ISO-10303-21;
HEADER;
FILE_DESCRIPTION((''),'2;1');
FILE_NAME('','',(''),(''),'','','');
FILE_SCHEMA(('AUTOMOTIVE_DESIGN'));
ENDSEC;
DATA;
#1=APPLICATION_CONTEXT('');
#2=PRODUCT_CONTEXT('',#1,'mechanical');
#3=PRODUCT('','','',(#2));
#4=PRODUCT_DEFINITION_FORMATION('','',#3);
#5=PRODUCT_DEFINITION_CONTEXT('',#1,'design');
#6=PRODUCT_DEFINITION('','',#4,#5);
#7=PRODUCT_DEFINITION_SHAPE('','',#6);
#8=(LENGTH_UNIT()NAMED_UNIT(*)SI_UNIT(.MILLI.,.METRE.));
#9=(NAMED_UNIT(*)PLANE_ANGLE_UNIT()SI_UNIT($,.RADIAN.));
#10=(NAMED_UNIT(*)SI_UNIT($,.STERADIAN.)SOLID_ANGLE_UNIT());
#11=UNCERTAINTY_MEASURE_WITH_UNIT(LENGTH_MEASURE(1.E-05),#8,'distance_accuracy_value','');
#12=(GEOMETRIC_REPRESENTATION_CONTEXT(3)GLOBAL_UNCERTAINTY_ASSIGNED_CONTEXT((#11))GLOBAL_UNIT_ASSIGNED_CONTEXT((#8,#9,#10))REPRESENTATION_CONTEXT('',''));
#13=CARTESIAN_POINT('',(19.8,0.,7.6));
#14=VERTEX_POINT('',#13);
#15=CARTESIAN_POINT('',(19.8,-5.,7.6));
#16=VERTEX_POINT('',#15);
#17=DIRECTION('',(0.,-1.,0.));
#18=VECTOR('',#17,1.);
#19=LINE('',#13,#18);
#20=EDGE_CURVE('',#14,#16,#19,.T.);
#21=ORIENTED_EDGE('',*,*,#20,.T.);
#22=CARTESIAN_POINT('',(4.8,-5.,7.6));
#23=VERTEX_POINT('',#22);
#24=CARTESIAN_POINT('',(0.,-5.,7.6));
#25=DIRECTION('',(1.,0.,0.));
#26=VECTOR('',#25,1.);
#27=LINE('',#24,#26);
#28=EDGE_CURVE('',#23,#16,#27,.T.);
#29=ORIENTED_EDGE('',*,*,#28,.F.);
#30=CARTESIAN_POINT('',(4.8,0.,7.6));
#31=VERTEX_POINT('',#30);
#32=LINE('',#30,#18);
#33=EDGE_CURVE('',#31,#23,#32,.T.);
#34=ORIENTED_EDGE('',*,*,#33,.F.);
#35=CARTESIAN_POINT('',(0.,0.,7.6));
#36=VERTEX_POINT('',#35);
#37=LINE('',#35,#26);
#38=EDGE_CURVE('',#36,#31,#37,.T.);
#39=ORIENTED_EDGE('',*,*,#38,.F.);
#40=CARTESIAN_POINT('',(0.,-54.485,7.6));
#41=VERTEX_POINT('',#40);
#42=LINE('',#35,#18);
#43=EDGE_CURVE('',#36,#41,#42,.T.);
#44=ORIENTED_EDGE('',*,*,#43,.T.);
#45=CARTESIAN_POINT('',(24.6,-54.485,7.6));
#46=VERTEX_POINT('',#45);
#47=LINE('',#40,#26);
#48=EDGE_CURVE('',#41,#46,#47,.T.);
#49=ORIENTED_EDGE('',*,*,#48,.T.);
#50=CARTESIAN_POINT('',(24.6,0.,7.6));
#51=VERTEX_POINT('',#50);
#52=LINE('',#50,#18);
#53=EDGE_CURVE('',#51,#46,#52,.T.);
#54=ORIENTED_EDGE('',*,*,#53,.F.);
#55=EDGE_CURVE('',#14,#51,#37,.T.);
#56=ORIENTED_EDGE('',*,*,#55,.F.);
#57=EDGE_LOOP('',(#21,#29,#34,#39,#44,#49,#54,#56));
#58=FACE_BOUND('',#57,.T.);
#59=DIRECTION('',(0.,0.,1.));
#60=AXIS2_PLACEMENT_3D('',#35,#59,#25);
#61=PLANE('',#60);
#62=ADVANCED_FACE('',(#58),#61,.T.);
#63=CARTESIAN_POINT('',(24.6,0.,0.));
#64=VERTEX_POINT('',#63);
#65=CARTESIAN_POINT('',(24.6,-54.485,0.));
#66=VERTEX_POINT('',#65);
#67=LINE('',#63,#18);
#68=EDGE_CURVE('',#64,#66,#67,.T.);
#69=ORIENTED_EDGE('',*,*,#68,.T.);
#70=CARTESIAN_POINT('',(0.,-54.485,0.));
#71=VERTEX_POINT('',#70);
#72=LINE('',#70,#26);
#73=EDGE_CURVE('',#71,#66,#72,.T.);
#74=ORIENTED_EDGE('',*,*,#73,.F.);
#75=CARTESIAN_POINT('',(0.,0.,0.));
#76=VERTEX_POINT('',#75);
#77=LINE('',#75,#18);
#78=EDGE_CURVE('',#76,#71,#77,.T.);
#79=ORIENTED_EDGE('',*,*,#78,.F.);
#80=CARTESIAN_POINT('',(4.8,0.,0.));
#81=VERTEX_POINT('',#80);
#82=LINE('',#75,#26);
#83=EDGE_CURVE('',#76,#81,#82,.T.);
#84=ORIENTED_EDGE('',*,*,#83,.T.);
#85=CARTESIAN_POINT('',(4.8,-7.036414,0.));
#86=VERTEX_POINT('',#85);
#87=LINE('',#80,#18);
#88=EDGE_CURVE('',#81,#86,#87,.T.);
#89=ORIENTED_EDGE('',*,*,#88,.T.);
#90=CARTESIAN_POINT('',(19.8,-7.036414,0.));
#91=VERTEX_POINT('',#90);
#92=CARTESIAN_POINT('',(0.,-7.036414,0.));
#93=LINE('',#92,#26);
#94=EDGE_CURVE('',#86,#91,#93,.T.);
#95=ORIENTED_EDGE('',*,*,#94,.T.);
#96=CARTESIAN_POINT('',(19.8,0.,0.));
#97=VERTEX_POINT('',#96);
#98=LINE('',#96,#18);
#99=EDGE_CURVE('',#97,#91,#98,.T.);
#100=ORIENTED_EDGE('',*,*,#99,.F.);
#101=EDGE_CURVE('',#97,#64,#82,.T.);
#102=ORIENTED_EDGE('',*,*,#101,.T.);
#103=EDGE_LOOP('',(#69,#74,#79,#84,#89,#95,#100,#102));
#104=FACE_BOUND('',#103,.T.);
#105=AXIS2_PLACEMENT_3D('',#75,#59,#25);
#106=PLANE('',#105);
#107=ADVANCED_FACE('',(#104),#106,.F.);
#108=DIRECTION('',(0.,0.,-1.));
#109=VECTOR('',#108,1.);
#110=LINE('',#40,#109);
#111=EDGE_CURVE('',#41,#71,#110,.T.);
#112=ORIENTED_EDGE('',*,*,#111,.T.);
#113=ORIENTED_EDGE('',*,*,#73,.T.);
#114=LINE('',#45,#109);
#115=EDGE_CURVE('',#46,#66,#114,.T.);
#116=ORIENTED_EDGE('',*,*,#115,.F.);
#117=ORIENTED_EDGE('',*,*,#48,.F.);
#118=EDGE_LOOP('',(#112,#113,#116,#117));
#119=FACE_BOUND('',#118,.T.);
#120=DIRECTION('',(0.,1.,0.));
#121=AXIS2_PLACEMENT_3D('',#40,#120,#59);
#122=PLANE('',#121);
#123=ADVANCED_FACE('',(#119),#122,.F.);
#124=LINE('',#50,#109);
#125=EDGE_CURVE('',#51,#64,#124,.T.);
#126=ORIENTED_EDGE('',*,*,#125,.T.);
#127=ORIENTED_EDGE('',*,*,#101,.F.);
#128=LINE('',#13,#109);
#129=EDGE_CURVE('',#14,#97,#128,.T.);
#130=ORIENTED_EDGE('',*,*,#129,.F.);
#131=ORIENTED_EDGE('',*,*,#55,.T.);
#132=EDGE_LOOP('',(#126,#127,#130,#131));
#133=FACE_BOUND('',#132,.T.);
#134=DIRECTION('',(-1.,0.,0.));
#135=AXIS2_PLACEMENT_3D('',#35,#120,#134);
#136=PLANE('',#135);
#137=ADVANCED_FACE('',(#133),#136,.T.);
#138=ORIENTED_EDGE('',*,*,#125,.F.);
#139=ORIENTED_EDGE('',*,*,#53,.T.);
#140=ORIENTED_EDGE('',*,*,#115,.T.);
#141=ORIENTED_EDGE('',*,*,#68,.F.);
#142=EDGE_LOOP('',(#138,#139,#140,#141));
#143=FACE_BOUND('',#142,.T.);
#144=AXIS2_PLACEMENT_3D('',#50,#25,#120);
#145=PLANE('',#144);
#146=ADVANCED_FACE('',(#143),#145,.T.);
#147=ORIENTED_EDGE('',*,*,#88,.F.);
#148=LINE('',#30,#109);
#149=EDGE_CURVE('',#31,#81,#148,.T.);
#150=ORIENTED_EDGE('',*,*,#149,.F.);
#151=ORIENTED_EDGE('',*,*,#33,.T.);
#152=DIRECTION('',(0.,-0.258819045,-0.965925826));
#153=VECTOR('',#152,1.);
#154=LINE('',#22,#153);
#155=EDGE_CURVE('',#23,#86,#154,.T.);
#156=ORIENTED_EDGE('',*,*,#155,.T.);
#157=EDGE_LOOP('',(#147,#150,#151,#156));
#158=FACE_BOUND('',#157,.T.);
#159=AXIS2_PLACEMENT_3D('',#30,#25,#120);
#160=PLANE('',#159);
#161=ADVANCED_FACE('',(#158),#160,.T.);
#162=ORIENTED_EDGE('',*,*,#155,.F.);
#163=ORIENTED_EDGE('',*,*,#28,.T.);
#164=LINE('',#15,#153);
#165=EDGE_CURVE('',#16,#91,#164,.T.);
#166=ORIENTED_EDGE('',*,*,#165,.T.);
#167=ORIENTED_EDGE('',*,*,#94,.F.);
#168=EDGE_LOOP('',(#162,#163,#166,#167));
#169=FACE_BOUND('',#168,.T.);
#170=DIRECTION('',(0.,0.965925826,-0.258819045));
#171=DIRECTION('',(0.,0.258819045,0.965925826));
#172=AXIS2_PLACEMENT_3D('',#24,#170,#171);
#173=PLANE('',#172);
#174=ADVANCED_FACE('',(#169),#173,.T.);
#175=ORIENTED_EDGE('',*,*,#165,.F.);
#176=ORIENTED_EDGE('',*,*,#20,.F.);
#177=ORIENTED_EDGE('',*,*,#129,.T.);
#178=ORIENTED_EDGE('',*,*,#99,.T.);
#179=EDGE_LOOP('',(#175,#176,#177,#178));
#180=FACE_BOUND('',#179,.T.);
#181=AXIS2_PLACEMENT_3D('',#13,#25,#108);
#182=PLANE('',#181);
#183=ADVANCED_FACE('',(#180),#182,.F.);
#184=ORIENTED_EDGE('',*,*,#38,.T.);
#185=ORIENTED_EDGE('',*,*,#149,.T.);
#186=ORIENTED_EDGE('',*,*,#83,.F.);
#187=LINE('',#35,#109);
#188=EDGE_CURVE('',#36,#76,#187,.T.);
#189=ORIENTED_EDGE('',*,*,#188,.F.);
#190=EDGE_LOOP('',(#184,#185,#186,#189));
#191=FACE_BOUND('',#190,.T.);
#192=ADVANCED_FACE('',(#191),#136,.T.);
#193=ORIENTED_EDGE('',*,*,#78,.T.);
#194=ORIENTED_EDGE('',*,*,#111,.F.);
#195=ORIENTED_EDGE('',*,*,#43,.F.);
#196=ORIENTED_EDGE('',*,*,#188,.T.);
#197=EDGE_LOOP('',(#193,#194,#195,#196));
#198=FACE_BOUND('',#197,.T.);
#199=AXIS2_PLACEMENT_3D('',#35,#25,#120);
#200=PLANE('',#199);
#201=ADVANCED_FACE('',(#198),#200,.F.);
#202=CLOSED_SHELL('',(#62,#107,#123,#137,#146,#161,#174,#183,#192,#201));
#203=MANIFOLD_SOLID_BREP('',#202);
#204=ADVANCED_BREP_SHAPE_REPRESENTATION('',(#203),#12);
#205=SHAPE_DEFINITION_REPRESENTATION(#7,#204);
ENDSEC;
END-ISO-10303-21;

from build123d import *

# Parameters (mm, degrees)
EXTRUDE_1_DEPTH = 7.6
DRAFT_5_ANGLE   = -15


with BuildPart() as part:
    # 草图1 → 凸台-拉伸1 (new body)
    with BuildSketch(Plane.XY):
        Polygon((4.8, 0), (0, 0), (0, -54.485), (24.6, -54.485), (24.6, 0), (19.8, 0), (19.8, -5), (4.8, -5), align=None)
    extrude(amount=EXTRUDE_1_DEPTH)

    # 拔模5
    draft_5_faces = [part.faces().sort_by_distance(p)[0] for p in [
        (12.3, -5, 3.8),
    ]]
    draft(draft_5_faces, Plane.XY.offset(7.6), DRAFT_5_ANGLE)


solid = part.part
